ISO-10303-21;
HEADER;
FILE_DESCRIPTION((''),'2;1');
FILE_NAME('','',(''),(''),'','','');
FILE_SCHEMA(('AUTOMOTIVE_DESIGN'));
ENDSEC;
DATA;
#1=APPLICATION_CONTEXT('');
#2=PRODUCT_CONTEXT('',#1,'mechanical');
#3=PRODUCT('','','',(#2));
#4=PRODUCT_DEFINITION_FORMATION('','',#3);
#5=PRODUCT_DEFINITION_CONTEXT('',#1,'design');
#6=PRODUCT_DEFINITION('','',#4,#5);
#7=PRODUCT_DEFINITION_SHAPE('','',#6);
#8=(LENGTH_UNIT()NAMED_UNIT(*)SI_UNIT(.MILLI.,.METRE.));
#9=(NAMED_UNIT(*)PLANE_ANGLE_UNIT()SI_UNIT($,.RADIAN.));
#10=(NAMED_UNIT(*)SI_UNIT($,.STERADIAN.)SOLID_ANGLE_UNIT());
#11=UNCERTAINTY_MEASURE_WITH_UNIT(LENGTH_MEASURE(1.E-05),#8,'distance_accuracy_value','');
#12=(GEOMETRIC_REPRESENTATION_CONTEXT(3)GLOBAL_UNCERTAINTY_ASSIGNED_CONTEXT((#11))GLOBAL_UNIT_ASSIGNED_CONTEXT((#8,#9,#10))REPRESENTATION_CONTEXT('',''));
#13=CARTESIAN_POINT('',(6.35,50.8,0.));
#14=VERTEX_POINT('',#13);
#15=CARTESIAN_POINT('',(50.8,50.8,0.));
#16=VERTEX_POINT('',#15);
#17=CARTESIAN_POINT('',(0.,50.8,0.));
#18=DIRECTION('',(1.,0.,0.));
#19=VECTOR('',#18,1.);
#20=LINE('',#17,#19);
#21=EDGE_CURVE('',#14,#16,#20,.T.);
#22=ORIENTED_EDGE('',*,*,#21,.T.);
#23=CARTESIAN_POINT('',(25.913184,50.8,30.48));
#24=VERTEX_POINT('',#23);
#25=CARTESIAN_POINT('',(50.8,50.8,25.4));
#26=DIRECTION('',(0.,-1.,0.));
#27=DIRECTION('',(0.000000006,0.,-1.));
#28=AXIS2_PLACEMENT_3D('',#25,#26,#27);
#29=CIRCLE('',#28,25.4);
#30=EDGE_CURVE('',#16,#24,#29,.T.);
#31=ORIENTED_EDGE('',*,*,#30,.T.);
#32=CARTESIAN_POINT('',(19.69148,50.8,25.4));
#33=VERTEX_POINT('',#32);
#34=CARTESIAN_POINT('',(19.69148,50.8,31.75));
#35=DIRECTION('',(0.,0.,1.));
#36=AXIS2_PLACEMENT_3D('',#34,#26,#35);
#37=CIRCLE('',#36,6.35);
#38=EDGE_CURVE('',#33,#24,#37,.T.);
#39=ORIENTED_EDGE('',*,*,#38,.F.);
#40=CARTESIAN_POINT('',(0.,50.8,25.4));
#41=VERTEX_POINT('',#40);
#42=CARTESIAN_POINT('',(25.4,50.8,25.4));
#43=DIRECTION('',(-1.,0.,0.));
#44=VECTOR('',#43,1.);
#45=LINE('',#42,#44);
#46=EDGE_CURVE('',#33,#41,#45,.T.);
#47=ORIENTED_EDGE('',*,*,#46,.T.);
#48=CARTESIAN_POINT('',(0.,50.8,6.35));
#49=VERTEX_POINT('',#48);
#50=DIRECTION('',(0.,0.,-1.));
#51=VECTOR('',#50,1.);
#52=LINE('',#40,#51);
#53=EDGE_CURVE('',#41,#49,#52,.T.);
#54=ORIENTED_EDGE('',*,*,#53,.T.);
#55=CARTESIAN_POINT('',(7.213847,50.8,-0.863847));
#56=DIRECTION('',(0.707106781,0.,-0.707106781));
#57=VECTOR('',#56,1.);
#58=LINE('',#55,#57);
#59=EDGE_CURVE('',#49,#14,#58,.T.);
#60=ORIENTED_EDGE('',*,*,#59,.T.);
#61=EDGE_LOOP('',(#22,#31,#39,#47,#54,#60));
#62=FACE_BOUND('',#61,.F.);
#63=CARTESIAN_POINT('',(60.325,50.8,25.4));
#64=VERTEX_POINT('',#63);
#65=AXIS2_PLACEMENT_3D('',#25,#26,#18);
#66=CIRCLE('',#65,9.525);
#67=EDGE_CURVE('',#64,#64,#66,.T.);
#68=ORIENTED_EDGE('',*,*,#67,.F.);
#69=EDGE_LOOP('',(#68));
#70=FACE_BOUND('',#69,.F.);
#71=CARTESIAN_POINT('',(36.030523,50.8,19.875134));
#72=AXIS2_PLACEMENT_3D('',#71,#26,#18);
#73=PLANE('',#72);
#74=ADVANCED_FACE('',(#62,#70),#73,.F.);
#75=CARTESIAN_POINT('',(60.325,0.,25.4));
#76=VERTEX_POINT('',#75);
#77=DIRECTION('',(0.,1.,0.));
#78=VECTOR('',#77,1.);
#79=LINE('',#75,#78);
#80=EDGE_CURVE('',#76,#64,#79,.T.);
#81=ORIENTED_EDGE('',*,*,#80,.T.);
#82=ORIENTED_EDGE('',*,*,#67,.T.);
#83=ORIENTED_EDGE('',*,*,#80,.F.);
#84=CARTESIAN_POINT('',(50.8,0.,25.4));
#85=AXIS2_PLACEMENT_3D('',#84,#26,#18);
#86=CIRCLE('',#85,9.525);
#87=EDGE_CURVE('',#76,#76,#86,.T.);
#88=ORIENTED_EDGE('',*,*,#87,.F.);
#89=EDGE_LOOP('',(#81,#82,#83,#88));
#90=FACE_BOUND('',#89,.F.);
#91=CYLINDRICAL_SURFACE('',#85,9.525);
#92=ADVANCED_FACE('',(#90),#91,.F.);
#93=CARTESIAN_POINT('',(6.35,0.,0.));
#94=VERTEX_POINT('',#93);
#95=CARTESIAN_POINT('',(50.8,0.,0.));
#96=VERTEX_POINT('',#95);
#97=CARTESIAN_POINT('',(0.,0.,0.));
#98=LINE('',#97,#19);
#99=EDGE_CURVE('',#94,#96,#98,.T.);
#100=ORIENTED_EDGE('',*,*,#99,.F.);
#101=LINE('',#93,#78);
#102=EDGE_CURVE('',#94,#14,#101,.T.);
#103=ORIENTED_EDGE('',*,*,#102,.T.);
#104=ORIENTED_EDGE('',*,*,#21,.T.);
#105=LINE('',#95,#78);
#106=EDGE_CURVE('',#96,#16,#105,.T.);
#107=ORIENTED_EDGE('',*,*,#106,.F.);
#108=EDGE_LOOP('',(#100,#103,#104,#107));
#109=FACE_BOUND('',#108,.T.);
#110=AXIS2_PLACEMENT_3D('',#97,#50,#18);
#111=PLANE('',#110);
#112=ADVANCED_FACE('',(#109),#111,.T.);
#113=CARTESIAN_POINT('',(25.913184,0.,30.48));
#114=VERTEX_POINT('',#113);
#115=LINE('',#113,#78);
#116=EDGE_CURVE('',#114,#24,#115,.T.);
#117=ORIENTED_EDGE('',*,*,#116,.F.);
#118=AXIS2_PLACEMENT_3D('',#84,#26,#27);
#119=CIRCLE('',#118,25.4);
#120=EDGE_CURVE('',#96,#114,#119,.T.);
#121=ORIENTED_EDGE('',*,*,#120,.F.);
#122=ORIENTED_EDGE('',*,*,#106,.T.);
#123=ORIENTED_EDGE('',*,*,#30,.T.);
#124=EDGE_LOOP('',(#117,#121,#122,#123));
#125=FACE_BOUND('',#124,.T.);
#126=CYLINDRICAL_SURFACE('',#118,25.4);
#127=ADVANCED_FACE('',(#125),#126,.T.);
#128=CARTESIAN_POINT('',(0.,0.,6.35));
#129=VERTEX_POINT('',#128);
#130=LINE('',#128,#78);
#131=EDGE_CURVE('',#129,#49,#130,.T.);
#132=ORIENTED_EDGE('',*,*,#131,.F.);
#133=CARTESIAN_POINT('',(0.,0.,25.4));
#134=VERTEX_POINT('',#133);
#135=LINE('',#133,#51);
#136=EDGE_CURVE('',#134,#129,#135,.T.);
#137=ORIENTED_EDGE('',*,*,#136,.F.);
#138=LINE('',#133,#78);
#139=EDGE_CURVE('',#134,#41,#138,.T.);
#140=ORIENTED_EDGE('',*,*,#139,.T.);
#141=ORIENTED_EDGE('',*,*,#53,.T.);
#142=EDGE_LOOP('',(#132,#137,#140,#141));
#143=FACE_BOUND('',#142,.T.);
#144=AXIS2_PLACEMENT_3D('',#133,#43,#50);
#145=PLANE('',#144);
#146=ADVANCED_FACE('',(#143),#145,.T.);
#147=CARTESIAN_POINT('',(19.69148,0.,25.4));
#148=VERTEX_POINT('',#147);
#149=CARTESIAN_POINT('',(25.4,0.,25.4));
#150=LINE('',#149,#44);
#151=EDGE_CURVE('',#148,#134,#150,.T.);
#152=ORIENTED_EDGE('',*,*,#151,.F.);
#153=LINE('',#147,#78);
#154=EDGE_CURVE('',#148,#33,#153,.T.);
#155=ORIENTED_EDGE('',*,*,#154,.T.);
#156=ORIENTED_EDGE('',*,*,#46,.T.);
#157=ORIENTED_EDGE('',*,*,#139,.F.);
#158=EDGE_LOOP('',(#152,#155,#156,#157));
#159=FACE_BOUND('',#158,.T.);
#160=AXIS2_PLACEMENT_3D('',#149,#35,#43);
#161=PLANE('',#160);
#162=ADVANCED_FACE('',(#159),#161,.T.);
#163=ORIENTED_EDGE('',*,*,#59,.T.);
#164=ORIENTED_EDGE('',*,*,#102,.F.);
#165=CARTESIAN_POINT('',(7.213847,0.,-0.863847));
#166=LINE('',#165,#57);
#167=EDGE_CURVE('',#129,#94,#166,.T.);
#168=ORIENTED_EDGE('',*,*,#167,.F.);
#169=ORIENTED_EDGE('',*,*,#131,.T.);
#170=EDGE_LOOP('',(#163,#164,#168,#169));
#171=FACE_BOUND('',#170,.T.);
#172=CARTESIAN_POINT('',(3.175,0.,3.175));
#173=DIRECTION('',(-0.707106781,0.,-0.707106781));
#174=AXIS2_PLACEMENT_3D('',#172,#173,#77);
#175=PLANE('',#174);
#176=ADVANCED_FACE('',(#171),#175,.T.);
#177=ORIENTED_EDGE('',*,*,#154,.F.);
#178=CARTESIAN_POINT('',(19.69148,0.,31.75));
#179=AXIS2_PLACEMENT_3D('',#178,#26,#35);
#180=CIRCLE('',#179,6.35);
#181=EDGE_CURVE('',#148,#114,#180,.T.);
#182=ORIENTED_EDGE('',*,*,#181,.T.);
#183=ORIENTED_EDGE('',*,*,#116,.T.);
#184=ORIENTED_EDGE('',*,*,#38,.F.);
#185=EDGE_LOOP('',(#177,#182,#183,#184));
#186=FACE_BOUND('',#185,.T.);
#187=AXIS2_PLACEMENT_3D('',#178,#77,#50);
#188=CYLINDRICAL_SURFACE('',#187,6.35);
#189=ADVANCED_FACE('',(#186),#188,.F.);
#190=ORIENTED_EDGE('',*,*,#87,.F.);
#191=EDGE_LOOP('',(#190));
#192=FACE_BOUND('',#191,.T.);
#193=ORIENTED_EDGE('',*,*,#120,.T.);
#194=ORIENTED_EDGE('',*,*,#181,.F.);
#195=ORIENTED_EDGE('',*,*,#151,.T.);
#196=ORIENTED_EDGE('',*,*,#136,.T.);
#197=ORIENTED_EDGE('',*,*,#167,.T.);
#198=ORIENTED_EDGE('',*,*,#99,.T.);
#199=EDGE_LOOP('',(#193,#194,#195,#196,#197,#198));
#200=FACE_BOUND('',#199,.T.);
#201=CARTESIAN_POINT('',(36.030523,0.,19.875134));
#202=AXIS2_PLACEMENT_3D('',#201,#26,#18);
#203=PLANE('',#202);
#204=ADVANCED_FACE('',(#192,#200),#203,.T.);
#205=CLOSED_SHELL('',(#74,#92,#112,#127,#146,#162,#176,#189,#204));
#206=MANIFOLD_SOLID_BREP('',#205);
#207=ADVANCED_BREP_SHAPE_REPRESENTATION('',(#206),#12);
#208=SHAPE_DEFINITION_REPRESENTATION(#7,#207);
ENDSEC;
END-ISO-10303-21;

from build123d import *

# Parameters (mm, degrees)
F0_R     = 9.525
F1_DEPTH = 50.8
F2_R     = 6.35
F3_SIZE  = 6.35


with BuildPart() as f1:
    # F0 (on Front) → F1 (new body)
    with BuildSketch(Plane.XZ):
        with BuildLine():
            Line((0, 25.4), (0, 0))
            Line((0, 0), (50.8, 0))
            ThreePointArc((50.8, 0), (68.760512, 43.360512), (25.4, 25.4))
            Line((25.4, 25.4), (0, 25.4))
        make_face()
        with Locations((50.8, 25.4)):
            Circle(F0_R, mode=Mode.SUBTRACT)
    extrude(amount=-F1_DEPTH)

    # F2
    f2_edges = [f1.edges().sort_by_distance(p)[0] for p in [
        (25.4, 25.4, 25.4),
    ]]
    fillet(f2_edges, radius=F2_R)

    # F3
    f3_edges = [f1.edges().sort_by_distance(p)[0] for p in [
        (0, 25.4, 0),
    ]]
    chamfer(f3_edges, length=F3_SIZE)


solid = f1.part
